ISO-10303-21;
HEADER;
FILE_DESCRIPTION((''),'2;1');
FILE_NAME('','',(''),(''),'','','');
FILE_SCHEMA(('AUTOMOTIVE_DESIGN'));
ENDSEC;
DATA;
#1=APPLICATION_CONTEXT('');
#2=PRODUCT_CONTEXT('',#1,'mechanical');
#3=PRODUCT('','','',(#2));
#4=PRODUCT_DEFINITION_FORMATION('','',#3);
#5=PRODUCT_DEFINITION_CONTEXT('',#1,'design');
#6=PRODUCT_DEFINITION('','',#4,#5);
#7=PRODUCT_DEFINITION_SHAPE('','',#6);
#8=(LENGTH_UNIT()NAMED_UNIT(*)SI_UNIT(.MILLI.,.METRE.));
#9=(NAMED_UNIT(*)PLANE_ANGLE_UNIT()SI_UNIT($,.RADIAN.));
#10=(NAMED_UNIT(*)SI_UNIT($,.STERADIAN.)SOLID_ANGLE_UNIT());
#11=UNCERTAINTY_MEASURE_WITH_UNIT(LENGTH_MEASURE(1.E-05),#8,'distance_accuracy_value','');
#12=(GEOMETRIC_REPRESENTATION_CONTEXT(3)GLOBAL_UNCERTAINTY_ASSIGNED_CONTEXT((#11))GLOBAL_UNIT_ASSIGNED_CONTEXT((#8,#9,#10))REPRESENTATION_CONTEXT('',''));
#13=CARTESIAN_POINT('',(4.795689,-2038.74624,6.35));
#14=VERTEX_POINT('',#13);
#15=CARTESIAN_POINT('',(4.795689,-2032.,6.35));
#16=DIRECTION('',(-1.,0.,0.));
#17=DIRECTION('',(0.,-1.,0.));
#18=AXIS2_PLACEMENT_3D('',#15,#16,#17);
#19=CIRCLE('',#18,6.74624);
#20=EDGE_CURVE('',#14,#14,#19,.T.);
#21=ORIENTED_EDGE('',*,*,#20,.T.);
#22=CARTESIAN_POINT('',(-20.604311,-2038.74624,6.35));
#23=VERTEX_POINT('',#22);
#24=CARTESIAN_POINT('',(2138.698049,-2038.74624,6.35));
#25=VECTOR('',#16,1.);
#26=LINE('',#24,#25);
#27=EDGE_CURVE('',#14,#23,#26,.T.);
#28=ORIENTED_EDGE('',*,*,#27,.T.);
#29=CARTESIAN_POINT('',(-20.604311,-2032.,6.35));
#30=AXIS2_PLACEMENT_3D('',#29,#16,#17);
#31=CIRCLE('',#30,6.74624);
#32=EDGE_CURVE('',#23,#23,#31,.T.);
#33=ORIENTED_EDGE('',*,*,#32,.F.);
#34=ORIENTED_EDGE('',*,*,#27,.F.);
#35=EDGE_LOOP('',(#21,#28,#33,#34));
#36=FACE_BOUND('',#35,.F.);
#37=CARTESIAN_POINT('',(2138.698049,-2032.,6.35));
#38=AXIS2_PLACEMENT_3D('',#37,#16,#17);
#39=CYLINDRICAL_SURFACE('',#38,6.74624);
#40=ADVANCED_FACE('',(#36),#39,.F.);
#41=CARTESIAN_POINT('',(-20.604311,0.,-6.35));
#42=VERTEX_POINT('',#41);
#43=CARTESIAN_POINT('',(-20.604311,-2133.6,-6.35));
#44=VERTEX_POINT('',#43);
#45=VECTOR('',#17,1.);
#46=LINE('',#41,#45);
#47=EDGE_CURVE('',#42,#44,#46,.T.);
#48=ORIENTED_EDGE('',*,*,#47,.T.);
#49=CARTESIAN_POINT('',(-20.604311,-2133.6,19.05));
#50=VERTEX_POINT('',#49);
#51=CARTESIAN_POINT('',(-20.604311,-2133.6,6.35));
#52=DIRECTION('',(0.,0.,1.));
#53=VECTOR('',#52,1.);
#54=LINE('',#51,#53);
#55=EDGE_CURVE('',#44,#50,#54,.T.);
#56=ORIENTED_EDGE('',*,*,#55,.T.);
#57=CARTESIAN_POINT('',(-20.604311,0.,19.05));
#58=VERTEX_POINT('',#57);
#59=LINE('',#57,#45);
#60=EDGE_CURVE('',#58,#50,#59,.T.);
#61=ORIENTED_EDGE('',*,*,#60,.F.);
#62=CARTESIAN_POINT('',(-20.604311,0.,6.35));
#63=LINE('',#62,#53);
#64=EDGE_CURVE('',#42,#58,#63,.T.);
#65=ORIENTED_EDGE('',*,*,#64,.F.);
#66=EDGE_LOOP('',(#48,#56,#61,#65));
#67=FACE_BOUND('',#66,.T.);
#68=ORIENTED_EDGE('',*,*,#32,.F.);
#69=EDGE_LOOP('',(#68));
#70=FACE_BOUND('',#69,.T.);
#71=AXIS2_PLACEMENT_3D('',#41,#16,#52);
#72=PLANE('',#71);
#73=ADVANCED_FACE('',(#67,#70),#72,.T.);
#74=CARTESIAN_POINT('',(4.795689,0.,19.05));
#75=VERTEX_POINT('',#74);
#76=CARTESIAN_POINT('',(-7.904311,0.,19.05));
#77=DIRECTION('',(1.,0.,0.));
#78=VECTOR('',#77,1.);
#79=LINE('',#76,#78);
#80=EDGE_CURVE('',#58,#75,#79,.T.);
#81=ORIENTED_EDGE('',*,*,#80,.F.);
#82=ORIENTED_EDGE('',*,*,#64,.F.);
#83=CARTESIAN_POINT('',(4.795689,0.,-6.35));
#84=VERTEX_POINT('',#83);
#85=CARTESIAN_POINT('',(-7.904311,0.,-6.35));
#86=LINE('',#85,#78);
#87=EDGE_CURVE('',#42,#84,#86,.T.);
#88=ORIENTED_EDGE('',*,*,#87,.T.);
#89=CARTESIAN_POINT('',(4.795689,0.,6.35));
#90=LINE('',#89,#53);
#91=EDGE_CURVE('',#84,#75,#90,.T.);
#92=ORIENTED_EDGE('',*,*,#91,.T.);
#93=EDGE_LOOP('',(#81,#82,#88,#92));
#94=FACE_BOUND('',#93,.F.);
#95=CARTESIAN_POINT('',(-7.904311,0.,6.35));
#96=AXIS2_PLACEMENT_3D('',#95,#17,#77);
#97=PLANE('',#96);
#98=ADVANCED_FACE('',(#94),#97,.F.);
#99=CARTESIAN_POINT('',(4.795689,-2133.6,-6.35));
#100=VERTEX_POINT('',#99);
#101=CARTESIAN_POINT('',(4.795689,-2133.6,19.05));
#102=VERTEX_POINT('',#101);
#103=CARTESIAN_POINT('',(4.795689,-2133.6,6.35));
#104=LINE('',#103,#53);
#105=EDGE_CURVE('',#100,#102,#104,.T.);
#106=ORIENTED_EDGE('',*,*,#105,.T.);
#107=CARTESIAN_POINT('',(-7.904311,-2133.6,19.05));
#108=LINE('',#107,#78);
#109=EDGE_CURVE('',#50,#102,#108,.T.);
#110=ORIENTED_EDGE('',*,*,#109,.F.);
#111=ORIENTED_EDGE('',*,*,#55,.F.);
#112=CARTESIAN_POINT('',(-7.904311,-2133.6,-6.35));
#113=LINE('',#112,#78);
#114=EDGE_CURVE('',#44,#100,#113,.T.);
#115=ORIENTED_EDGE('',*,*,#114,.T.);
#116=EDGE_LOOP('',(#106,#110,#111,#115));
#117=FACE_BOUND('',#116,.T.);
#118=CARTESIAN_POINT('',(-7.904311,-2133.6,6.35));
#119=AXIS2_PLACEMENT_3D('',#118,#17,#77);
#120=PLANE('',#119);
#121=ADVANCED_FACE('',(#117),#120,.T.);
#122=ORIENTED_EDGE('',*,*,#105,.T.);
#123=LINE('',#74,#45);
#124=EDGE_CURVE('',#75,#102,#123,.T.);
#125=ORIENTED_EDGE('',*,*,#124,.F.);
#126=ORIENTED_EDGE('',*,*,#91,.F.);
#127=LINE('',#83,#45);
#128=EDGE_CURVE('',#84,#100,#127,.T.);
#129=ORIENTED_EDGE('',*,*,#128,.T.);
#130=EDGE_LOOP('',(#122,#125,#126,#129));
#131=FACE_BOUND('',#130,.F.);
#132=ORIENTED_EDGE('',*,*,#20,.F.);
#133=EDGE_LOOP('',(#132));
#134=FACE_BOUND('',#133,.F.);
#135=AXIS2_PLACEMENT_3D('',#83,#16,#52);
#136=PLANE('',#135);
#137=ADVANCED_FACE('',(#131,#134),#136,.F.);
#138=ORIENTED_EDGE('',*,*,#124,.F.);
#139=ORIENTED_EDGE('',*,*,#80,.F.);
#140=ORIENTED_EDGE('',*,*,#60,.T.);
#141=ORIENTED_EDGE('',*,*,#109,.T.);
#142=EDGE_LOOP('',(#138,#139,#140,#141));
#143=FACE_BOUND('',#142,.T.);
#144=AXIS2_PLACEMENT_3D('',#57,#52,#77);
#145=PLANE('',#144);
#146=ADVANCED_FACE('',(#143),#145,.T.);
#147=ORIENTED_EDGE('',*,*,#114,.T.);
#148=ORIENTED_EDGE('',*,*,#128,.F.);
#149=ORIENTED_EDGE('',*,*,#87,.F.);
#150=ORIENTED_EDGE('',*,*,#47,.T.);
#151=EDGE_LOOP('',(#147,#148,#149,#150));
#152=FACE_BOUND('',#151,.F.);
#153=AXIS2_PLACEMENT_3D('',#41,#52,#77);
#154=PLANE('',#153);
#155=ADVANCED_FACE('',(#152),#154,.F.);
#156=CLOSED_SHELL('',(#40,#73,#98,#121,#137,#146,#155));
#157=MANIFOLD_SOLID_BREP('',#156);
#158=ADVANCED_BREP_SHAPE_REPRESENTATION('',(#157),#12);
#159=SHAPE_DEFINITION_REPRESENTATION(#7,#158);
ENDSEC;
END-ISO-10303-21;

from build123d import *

# Parameters (mm, degrees)
F0_W     = 25.4
F0_H     = 25.4
F1_DEPTH = 2133.6
F3_D     = 13.49248


with BuildPart() as f1:
    # F0 (on Front) → F1 (new body)
    with BuildSketch(Plane.XZ):
        with Locations((-7.9043106856, 6.35)):
            Rectangle(F0_W, F0_H)
    extrude(amount=F1_DEPTH)

    # F3 (through all)
    with Locations(Plane.YZ.offset(4.7956893144)):
        with Locations((-2032, 6.35)):
            Hole(F3_D / 2)


solid = f1.part
